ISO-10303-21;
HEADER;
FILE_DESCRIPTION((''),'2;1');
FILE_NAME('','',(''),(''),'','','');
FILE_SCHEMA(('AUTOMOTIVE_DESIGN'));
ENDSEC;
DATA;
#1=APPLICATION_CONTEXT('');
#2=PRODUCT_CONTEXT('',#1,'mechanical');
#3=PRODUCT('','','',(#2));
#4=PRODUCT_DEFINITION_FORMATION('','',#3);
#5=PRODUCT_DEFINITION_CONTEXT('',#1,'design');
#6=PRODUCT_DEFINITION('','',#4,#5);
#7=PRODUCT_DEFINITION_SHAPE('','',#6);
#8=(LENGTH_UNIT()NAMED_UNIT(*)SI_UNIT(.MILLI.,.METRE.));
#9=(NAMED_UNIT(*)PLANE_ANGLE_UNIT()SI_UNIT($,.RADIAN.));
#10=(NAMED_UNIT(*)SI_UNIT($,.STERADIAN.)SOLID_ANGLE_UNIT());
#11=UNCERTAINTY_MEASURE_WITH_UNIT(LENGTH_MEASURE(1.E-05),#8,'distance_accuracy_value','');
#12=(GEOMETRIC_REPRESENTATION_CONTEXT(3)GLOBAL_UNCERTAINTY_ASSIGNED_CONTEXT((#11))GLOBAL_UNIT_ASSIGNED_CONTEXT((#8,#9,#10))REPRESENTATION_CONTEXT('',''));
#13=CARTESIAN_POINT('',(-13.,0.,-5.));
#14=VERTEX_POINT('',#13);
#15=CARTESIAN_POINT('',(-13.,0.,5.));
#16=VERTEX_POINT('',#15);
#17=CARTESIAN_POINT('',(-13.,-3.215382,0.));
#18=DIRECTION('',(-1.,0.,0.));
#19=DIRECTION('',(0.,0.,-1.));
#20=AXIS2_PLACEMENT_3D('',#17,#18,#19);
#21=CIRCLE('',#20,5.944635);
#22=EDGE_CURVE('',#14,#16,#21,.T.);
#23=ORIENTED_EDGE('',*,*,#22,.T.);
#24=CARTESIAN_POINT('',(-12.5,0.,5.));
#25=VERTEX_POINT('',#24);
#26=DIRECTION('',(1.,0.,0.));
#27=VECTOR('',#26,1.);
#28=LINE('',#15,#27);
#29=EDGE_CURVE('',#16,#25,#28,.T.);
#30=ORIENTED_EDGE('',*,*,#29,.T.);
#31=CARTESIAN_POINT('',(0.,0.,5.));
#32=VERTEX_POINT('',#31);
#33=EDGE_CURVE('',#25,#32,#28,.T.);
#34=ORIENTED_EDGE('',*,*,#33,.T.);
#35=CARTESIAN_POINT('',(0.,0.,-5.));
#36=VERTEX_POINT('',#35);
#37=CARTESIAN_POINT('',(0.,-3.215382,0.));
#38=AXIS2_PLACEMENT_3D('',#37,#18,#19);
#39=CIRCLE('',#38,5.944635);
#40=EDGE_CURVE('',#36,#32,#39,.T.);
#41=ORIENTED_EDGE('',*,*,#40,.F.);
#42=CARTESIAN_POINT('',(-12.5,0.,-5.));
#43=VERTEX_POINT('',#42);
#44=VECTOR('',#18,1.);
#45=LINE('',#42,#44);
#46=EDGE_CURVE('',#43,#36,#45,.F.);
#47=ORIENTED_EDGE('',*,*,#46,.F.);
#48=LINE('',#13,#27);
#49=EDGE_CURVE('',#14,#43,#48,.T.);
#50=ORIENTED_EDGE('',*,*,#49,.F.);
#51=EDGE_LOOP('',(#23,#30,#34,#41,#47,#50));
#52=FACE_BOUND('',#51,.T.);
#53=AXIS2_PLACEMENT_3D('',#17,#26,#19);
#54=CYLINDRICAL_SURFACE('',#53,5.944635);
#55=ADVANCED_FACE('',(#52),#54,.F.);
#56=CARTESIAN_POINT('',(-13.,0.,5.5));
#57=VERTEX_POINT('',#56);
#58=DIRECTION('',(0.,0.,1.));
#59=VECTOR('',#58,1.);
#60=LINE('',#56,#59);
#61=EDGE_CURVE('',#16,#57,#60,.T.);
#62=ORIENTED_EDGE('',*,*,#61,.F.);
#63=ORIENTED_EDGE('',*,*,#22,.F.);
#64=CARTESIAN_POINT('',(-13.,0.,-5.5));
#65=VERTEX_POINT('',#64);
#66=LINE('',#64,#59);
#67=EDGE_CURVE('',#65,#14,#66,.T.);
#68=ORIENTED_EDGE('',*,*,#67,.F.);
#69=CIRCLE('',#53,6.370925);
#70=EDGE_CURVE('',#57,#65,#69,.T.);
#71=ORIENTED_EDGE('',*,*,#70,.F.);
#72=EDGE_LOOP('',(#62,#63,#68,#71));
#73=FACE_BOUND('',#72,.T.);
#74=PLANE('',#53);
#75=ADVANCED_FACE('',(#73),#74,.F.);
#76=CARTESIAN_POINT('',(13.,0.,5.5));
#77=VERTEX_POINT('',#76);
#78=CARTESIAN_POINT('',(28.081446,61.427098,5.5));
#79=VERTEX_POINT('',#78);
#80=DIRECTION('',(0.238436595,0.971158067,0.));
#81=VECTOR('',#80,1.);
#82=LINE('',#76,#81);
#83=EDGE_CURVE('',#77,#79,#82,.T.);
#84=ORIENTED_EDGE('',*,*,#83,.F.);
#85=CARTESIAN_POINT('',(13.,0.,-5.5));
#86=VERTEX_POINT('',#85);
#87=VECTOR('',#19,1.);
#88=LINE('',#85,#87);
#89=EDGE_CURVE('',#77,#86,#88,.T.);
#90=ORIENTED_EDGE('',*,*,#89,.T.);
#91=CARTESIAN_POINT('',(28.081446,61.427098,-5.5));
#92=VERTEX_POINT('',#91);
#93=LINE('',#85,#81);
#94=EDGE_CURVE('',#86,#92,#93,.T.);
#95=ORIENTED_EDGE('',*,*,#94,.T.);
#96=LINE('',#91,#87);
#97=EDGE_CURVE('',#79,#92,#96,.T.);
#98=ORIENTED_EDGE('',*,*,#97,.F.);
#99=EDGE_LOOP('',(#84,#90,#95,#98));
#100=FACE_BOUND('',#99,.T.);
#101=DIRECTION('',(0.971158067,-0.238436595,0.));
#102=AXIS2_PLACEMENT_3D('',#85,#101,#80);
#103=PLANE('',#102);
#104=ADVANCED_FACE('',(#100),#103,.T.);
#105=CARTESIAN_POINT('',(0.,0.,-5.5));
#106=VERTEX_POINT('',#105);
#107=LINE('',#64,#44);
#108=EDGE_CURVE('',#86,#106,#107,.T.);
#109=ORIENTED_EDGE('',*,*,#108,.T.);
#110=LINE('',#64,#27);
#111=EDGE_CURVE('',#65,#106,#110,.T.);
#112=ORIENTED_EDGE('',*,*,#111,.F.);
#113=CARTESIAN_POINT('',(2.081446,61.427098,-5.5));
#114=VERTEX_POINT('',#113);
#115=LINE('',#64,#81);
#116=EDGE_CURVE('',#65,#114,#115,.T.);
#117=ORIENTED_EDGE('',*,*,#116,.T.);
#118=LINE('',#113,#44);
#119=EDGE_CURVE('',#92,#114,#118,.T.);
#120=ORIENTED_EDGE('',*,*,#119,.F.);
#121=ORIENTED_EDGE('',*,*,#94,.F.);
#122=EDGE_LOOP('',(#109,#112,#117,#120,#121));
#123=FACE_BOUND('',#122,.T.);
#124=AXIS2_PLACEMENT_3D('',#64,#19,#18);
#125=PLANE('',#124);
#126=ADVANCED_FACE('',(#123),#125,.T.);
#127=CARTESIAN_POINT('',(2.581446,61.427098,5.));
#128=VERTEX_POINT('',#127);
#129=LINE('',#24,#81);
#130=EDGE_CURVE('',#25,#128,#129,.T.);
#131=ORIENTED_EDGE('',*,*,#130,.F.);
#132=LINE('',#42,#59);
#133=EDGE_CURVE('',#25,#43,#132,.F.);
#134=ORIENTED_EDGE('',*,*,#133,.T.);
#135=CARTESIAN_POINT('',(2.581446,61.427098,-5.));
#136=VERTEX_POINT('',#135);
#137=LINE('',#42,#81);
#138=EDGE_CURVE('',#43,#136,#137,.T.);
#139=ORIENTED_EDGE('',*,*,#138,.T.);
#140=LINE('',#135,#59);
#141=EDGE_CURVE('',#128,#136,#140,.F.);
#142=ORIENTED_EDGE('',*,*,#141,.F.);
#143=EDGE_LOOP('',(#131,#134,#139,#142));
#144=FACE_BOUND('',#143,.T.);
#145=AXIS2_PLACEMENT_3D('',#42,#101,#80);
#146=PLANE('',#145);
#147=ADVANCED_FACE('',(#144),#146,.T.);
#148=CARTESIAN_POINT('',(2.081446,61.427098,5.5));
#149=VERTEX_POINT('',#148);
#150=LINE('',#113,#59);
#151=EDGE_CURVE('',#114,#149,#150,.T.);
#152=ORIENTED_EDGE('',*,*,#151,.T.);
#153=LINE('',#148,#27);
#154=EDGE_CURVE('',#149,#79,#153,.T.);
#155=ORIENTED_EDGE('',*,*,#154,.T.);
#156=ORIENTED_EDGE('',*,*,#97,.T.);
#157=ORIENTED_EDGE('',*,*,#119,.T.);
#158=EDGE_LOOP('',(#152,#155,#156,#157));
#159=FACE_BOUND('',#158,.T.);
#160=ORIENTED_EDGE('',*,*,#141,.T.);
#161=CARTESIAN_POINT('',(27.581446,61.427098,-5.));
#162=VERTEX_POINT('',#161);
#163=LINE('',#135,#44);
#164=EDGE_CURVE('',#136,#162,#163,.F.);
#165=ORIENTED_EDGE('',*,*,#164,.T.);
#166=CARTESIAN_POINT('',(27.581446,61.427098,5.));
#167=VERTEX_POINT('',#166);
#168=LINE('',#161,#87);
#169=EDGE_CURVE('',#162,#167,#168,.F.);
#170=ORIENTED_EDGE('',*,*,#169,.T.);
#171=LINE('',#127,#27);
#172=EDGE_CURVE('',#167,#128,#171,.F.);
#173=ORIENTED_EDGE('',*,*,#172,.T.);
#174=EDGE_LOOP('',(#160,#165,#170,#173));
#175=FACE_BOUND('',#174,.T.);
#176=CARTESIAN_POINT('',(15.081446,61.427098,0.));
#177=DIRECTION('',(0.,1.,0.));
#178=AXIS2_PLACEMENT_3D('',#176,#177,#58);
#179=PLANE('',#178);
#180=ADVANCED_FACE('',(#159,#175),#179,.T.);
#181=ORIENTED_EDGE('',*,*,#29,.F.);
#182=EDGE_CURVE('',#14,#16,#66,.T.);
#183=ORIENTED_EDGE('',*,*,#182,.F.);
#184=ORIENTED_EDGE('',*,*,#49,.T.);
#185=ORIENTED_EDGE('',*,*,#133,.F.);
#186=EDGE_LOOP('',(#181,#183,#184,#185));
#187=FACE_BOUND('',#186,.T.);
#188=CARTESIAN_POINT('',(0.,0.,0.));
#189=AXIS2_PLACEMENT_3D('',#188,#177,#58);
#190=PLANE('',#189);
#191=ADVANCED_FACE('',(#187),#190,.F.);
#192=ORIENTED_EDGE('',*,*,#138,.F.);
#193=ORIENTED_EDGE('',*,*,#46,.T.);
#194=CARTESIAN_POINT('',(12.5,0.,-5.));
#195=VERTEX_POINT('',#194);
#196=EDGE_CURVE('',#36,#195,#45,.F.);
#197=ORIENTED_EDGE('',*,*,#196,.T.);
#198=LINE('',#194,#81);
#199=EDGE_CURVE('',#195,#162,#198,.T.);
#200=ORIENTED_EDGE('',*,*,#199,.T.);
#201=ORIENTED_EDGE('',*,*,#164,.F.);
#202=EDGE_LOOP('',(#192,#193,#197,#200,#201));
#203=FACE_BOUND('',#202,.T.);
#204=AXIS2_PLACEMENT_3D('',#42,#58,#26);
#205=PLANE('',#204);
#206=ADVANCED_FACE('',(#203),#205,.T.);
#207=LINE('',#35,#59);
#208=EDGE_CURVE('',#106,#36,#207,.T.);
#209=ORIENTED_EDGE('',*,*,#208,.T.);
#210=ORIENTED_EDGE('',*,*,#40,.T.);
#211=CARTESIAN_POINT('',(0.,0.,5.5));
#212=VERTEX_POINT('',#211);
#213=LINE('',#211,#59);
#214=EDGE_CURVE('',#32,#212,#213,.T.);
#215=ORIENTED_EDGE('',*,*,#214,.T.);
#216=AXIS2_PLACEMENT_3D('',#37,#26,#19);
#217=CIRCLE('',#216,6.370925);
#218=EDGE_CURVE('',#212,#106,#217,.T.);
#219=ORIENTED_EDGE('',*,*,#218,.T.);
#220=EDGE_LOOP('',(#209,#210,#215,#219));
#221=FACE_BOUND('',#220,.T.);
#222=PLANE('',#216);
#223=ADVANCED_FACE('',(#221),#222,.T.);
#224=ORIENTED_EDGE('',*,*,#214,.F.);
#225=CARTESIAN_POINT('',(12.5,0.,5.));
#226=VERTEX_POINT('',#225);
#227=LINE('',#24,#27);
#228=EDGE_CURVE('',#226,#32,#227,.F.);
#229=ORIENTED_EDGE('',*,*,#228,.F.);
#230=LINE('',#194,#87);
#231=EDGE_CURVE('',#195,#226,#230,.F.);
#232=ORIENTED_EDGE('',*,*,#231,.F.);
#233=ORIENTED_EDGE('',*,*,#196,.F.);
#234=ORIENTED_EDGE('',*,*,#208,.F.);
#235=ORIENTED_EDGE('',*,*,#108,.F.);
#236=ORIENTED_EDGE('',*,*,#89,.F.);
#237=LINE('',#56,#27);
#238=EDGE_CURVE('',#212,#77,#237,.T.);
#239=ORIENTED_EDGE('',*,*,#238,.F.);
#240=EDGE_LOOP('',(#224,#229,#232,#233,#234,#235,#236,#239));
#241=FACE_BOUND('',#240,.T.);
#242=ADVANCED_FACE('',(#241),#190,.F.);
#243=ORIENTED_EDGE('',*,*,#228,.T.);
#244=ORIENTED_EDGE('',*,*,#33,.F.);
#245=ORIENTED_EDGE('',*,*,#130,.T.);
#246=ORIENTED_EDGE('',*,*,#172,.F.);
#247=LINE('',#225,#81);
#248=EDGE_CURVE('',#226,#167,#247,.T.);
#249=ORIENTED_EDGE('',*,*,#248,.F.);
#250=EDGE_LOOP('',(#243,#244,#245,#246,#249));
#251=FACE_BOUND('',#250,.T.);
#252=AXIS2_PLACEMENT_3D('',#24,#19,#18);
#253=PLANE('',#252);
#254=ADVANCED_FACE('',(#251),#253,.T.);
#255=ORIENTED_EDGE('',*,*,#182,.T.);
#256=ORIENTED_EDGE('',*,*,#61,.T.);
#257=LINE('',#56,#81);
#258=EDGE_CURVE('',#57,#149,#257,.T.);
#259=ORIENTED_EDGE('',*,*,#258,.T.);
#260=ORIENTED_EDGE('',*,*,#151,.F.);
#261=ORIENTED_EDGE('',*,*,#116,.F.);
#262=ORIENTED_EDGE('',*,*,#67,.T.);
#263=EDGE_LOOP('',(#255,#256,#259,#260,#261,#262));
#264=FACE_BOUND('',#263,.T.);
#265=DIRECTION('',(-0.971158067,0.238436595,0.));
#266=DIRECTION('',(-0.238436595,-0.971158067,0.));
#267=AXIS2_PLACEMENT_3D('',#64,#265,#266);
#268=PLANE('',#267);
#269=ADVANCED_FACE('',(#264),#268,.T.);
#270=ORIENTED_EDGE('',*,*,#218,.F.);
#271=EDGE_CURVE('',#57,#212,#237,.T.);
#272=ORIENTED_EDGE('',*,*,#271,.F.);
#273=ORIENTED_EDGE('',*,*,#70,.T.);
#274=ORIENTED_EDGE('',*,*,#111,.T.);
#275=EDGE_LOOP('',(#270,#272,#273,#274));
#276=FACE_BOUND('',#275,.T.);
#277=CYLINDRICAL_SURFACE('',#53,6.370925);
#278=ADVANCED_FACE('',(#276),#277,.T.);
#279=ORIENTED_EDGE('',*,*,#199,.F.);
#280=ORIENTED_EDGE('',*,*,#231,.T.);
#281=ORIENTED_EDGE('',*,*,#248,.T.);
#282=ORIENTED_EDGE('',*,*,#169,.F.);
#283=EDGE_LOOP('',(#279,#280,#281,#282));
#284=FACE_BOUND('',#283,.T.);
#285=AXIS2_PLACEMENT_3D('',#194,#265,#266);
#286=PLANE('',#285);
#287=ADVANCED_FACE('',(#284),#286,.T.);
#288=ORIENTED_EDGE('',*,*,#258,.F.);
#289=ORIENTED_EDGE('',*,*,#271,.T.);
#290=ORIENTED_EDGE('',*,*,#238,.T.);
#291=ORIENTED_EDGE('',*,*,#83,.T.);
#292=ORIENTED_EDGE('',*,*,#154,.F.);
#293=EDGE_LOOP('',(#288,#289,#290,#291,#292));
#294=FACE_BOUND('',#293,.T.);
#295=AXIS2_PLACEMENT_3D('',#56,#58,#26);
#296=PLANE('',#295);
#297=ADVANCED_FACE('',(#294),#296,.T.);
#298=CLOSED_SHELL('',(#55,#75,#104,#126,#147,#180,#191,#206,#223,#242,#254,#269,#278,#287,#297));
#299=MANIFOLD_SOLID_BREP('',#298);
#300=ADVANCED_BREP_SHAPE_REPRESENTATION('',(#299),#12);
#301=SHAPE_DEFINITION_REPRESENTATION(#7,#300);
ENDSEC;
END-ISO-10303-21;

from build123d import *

# Parameters (mm, degrees)
SKETCH_1_W      = 26
SKETCH_1_H      = 11
SKETCH_1_W_2    = 25
SKETCH_1_H_2    = 10
EXTRUDE_1_DEPTH = 13


with BuildPart() as part:
    # 扫描1: sweep along a path in 草图2
    with BuildLine(Plane.XY) as sweep_1_path:
        Line((0, 0), (15.081446117, 61.427097956))
    # 草图1 → 扫描1 (sweep)
    with BuildSketch(Plane(origin=(0, 0, 0), x_dir=(1, 0, 0), z_dir=(0, 1, 0))):
        Rectangle(SKETCH_1_W, SKETCH_1_H)
        Rectangle(SKETCH_1_W_2, SKETCH_1_H_2, mode=Mode.SUBTRACT)
    sweep(path=sweep_1_path.line)

    # 草图3 → 凸台-拉伸1 (add)
    with BuildSketch(Plane(origin=(0, 0, 0), x_dir=(0, 0, -1), z_dir=(1, 0, 0))):
        with BuildLine():
            Line((-5.5, 0), (-5, 0))
            ThreePointArc((-5, 0), (0, -9.160017332), (5, 0))
            Line((5, 0), (5.5, 0))
            ThreePointArc((5.5, 0), (0, -9.586307333), (-5.5, 0))
        make_face()
    extrude(amount=-EXTRUDE_1_DEPTH)


solid = part.part
